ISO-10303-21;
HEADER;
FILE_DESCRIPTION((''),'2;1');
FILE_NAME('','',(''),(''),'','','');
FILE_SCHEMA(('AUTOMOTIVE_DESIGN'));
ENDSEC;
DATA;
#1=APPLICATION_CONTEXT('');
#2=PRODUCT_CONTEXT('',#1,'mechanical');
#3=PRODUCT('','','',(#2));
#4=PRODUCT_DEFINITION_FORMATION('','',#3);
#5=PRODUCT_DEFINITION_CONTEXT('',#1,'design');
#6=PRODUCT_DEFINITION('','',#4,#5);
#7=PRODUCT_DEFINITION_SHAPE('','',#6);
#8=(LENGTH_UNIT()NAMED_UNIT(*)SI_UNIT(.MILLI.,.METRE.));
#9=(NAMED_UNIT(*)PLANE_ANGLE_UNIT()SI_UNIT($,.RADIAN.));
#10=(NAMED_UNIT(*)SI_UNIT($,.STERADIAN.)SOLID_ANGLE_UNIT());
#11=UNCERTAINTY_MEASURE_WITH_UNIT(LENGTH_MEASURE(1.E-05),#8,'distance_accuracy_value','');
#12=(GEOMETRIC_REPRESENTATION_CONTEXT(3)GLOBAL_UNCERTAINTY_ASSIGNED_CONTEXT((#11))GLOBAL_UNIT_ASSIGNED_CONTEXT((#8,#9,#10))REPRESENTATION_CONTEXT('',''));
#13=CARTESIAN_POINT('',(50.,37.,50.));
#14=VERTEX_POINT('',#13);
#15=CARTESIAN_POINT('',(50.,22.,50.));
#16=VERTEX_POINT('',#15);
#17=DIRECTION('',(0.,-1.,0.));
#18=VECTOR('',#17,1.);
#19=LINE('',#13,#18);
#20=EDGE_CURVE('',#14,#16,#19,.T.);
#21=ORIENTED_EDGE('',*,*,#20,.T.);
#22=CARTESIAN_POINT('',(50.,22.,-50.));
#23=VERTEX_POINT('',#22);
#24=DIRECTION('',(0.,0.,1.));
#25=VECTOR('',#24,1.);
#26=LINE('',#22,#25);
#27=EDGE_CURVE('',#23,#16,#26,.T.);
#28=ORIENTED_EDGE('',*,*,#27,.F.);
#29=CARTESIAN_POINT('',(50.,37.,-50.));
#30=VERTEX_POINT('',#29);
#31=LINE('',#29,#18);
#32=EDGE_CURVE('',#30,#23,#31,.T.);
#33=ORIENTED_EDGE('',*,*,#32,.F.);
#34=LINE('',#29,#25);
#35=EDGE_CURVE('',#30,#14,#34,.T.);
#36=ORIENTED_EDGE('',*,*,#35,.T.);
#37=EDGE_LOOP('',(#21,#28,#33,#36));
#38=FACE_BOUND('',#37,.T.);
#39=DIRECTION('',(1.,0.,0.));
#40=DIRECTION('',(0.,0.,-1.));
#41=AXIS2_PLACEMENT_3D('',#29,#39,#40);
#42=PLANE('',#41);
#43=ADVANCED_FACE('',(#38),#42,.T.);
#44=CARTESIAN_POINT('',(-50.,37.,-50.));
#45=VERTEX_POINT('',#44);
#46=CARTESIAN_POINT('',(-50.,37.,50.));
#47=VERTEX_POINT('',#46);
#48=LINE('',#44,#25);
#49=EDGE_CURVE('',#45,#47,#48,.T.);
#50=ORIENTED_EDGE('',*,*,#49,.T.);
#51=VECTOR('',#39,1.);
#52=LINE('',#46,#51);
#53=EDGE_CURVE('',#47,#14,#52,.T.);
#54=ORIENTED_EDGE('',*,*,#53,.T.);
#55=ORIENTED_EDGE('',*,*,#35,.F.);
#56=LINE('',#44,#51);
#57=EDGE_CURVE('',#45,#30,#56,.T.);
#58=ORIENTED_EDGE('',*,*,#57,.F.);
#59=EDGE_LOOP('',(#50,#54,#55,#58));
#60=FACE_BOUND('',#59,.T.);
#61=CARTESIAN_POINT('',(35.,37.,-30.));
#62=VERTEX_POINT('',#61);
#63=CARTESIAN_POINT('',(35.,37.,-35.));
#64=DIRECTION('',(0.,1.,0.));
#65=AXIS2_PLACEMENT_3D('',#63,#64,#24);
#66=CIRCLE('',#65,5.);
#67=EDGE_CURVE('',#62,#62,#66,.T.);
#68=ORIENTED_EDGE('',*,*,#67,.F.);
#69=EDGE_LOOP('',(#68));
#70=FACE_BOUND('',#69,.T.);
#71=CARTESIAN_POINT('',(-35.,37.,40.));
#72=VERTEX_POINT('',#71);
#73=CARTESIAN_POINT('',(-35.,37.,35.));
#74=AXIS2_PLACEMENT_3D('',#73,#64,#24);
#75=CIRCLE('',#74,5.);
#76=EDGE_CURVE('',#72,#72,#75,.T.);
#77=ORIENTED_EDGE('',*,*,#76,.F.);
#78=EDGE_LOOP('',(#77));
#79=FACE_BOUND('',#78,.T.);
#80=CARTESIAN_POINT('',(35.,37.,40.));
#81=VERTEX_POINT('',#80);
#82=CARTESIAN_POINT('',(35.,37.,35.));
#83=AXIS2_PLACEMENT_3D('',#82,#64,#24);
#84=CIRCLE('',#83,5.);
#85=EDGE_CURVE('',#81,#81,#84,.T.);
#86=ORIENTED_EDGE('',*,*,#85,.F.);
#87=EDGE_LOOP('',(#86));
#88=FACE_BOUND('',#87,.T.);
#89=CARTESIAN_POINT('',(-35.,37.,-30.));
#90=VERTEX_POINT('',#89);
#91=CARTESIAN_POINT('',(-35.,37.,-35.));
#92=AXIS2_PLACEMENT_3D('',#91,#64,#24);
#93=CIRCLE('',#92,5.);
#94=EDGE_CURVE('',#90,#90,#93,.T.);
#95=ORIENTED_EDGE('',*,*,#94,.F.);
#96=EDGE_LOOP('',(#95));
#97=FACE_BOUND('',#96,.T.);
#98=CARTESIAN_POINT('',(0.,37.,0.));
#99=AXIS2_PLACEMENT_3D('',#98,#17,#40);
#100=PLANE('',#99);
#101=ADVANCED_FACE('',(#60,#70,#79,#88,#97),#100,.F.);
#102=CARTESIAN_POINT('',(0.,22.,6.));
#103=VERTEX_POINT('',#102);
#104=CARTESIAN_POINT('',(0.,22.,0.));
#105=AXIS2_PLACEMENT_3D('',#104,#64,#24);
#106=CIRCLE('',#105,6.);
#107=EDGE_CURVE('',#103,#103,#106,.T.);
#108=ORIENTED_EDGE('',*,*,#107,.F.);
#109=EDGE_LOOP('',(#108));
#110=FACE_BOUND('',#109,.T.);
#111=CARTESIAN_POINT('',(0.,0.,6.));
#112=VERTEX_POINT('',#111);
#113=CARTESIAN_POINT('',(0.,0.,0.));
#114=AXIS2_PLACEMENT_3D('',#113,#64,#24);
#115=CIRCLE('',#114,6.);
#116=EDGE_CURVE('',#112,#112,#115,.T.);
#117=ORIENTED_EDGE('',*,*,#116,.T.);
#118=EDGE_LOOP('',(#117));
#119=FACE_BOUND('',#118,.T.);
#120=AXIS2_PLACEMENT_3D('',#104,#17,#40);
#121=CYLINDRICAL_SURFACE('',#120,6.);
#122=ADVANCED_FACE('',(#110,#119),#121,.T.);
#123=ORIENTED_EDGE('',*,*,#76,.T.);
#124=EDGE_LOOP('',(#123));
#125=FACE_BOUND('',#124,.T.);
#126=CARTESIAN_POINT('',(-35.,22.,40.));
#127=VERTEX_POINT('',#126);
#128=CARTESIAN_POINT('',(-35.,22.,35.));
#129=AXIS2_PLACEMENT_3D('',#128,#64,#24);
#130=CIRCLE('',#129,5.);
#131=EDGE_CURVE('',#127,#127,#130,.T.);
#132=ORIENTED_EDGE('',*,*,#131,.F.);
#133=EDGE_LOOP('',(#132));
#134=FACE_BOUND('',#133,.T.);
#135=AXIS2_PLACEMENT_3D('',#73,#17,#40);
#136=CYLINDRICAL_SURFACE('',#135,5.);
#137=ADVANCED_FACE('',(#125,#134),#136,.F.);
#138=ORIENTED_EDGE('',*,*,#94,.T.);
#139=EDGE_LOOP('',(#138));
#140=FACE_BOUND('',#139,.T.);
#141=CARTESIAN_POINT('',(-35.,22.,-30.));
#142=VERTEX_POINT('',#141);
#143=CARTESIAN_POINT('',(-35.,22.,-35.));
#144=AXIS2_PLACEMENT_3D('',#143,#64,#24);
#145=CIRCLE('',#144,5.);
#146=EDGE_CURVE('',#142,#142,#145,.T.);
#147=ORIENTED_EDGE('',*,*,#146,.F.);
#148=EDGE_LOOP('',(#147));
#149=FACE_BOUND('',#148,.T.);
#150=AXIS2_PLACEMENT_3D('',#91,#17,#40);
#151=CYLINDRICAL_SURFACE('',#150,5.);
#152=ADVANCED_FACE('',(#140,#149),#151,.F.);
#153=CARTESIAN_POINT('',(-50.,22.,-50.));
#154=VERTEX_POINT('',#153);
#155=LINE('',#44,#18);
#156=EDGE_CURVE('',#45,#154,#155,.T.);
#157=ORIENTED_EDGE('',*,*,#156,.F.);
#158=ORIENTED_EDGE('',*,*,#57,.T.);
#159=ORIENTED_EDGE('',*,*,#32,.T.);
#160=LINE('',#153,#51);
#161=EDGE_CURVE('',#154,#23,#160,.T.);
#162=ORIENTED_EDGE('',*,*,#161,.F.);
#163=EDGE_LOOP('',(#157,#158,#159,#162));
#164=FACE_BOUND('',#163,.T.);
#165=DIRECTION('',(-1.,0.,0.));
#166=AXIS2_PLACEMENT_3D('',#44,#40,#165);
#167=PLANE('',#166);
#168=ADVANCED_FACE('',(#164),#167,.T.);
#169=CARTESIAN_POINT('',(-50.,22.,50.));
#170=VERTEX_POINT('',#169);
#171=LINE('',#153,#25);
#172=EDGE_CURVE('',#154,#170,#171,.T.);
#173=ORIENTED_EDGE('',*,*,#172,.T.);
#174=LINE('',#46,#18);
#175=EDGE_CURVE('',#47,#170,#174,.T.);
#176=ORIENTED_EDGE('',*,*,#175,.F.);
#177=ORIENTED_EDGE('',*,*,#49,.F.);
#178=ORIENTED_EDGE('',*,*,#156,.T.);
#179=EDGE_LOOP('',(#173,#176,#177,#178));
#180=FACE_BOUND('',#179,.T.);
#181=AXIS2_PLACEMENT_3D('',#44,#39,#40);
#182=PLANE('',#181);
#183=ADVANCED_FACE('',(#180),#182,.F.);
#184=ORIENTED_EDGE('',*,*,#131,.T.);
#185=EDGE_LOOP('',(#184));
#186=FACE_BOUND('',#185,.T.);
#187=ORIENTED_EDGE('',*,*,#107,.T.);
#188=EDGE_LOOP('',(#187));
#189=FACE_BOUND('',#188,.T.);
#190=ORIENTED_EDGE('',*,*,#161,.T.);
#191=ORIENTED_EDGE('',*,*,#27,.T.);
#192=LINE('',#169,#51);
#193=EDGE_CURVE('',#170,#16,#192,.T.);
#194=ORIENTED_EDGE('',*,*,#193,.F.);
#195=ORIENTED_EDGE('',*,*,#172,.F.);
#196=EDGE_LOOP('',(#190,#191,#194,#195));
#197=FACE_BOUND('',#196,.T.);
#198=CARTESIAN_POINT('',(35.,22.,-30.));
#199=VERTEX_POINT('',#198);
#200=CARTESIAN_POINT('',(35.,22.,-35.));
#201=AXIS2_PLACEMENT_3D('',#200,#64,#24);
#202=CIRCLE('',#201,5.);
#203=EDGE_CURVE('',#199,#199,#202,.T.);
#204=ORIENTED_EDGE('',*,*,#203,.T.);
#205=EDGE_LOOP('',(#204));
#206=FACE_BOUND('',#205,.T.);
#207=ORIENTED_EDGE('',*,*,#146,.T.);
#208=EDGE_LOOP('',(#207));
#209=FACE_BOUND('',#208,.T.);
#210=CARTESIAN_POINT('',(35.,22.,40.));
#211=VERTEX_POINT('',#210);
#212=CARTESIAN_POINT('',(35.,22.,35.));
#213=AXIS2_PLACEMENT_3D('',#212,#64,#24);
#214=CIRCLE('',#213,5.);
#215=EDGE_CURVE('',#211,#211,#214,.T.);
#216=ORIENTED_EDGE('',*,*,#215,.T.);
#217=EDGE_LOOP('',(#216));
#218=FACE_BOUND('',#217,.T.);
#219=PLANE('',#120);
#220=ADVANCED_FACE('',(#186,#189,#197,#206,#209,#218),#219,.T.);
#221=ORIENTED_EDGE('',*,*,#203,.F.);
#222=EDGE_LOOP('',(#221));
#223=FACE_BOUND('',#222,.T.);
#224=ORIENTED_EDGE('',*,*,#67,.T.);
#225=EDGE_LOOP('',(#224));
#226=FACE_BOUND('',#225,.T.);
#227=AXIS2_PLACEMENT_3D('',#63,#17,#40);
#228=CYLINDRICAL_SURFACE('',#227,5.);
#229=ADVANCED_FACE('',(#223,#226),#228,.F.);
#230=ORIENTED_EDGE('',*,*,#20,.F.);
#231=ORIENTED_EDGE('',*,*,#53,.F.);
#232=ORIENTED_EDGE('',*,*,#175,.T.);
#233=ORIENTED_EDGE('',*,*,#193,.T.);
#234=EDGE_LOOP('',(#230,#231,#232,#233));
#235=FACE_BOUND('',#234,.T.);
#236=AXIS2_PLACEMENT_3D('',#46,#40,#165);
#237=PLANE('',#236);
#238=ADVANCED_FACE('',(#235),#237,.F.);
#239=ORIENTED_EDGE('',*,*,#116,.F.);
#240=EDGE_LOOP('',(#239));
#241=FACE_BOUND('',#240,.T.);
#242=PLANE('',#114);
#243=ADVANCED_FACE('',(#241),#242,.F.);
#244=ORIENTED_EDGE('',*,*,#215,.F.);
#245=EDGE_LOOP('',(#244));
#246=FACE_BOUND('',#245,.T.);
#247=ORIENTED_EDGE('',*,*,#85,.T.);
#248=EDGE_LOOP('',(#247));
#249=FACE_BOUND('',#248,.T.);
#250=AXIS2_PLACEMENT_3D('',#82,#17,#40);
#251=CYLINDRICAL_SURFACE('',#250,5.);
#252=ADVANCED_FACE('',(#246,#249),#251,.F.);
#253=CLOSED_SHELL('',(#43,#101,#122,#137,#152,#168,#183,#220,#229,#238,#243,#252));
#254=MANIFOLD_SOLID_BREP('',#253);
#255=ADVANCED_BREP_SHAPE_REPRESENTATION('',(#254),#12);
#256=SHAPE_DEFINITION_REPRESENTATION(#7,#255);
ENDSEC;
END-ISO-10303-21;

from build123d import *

# Parameters (mm, degrees)
SKETCH1_R           = 6
BOSS_EXTRUDE1_DEPTH = 22
SKETCH2_W           = 100
SKETCH2_H           = 100
SKETCH2_R           = 5
BOSS_EXTRUDE2_DEPTH = 15


with BuildPart() as part:
    # Sketch1 → Boss-Extrude1 (new body)
    with BuildSketch(Plane(origin=(0, 0, 0), x_dir=(1, 0, 0), z_dir=(0, 1, 0))):
        Circle(SKETCH1_R)
    extrude(amount=BOSS_EXTRUDE1_DEPTH)

    # Sketch2 → Boss-Extrude2 (add)
    with BuildSketch(Plane(origin=(0, 22, 0), x_dir=(1, 0, 0), z_dir=(0, 1, 0))):
        Rectangle(SKETCH2_W, SKETCH2_H)
        with Locations((-35, 35)):
            Circle(SKETCH2_R, mode=Mode.SUBTRACT)
        with Locations((35, 35)):
            Circle(SKETCH2_R, mode=Mode.SUBTRACT)
        with Locations((35, -35)):
            Circle(SKETCH2_R, mode=Mode.SUBTRACT)
        with Locations((-35, -35)):
            Circle(SKETCH2_R, mode=Mode.SUBTRACT)
    extrude(amount=BOSS_EXTRUDE2_DEPTH)


solid = part.part
